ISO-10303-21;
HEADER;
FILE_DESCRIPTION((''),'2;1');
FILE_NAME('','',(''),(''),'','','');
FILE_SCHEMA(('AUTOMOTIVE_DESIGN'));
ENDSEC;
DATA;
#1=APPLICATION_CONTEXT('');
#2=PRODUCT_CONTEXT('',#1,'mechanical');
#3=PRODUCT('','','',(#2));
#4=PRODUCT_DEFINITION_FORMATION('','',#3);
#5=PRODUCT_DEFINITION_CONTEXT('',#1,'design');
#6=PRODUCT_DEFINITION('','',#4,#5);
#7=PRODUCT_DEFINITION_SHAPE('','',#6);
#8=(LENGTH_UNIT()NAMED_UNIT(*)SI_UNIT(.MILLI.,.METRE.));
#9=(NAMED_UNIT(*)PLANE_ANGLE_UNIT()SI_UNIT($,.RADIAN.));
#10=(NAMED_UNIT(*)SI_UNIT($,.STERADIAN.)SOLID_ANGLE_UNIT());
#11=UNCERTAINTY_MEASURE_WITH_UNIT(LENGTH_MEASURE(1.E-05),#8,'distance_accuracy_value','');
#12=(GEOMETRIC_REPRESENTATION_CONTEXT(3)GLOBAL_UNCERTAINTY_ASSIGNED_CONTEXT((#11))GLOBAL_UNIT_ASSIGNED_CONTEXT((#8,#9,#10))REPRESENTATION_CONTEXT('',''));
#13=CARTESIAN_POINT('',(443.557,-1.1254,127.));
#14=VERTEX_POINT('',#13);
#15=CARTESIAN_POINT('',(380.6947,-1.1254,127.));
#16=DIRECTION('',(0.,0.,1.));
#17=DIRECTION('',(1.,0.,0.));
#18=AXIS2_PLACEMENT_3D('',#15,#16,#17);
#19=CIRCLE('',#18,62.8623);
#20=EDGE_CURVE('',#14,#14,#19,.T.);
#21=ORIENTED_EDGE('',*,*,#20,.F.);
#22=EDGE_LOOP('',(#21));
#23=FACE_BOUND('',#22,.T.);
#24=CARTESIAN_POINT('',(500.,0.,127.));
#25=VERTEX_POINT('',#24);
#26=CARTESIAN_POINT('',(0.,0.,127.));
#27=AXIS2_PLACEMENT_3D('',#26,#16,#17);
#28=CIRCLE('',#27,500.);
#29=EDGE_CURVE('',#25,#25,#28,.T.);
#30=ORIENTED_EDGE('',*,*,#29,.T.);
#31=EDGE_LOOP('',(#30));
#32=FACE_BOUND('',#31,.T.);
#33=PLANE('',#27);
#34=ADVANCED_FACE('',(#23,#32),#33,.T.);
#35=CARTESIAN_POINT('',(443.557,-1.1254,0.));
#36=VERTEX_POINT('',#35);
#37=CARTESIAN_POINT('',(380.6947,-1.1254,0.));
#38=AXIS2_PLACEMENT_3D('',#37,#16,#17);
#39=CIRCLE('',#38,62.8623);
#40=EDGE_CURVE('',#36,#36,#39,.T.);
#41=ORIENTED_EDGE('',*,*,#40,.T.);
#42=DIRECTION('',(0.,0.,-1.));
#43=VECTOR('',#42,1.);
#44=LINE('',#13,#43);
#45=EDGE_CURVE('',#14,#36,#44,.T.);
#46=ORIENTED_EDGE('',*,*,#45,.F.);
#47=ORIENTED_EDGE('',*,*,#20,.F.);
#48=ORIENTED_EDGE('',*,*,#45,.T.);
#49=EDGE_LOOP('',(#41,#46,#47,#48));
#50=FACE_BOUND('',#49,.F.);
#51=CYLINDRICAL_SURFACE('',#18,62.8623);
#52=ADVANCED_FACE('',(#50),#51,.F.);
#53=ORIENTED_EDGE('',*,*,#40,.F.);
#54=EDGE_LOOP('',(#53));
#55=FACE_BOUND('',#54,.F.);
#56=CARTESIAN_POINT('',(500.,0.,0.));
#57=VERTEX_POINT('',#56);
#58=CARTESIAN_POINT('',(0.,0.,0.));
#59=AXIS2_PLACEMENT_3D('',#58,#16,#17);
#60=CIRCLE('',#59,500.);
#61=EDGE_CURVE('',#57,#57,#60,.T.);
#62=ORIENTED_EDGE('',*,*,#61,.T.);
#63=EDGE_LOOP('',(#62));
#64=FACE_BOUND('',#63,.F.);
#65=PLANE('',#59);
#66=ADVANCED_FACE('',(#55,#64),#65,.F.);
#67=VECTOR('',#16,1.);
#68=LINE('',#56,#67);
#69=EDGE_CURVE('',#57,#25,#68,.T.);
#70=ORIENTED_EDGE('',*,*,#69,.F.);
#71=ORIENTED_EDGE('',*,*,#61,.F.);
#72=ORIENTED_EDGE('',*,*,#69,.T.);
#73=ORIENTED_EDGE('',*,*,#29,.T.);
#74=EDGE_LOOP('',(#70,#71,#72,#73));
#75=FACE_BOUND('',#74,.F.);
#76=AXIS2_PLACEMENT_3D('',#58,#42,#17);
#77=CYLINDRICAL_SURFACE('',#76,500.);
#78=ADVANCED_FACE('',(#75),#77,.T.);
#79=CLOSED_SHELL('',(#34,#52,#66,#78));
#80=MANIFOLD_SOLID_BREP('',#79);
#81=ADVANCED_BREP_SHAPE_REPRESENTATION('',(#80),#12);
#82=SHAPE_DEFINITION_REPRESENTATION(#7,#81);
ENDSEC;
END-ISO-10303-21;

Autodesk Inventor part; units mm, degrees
ref_plane "YZ Plane" through (0, 0, 0) normal (1, 0, 0) x (0, 1, 0)
ref_plane "XZ Plane" through (0, 0, 0) normal (0, 1, 0) x (-1, 0, 0)
ref_plane "XY Plane" through (0, 0, 0) normal (0, 0, 1) x (1, 0, 0)
sketch "Sketch1" plane through (0, 0, 0) normal (0, 0, 1) x (1, 0, 0)
  circle A0 centre (0, 0) radius 500
  dimension "d0" = 1000
extrude "Extrusion1" add sketch "Sketch1" along normal blind 127
sketch "Sketch3" plane through (0, 0, 127) normal (0, 0, 1) x (1, 0, 0)
  circle A0 centre (380.6947, -1.1254) radius 62.8623
  point P0 (0, 0)
  dimension "d3" = 125.7246
  dimension "d4" = 380.6964
extrude "Extrusion2" cut sketch "Sketch3" against normal blind 127
properties part number "Wheel_Consept"
